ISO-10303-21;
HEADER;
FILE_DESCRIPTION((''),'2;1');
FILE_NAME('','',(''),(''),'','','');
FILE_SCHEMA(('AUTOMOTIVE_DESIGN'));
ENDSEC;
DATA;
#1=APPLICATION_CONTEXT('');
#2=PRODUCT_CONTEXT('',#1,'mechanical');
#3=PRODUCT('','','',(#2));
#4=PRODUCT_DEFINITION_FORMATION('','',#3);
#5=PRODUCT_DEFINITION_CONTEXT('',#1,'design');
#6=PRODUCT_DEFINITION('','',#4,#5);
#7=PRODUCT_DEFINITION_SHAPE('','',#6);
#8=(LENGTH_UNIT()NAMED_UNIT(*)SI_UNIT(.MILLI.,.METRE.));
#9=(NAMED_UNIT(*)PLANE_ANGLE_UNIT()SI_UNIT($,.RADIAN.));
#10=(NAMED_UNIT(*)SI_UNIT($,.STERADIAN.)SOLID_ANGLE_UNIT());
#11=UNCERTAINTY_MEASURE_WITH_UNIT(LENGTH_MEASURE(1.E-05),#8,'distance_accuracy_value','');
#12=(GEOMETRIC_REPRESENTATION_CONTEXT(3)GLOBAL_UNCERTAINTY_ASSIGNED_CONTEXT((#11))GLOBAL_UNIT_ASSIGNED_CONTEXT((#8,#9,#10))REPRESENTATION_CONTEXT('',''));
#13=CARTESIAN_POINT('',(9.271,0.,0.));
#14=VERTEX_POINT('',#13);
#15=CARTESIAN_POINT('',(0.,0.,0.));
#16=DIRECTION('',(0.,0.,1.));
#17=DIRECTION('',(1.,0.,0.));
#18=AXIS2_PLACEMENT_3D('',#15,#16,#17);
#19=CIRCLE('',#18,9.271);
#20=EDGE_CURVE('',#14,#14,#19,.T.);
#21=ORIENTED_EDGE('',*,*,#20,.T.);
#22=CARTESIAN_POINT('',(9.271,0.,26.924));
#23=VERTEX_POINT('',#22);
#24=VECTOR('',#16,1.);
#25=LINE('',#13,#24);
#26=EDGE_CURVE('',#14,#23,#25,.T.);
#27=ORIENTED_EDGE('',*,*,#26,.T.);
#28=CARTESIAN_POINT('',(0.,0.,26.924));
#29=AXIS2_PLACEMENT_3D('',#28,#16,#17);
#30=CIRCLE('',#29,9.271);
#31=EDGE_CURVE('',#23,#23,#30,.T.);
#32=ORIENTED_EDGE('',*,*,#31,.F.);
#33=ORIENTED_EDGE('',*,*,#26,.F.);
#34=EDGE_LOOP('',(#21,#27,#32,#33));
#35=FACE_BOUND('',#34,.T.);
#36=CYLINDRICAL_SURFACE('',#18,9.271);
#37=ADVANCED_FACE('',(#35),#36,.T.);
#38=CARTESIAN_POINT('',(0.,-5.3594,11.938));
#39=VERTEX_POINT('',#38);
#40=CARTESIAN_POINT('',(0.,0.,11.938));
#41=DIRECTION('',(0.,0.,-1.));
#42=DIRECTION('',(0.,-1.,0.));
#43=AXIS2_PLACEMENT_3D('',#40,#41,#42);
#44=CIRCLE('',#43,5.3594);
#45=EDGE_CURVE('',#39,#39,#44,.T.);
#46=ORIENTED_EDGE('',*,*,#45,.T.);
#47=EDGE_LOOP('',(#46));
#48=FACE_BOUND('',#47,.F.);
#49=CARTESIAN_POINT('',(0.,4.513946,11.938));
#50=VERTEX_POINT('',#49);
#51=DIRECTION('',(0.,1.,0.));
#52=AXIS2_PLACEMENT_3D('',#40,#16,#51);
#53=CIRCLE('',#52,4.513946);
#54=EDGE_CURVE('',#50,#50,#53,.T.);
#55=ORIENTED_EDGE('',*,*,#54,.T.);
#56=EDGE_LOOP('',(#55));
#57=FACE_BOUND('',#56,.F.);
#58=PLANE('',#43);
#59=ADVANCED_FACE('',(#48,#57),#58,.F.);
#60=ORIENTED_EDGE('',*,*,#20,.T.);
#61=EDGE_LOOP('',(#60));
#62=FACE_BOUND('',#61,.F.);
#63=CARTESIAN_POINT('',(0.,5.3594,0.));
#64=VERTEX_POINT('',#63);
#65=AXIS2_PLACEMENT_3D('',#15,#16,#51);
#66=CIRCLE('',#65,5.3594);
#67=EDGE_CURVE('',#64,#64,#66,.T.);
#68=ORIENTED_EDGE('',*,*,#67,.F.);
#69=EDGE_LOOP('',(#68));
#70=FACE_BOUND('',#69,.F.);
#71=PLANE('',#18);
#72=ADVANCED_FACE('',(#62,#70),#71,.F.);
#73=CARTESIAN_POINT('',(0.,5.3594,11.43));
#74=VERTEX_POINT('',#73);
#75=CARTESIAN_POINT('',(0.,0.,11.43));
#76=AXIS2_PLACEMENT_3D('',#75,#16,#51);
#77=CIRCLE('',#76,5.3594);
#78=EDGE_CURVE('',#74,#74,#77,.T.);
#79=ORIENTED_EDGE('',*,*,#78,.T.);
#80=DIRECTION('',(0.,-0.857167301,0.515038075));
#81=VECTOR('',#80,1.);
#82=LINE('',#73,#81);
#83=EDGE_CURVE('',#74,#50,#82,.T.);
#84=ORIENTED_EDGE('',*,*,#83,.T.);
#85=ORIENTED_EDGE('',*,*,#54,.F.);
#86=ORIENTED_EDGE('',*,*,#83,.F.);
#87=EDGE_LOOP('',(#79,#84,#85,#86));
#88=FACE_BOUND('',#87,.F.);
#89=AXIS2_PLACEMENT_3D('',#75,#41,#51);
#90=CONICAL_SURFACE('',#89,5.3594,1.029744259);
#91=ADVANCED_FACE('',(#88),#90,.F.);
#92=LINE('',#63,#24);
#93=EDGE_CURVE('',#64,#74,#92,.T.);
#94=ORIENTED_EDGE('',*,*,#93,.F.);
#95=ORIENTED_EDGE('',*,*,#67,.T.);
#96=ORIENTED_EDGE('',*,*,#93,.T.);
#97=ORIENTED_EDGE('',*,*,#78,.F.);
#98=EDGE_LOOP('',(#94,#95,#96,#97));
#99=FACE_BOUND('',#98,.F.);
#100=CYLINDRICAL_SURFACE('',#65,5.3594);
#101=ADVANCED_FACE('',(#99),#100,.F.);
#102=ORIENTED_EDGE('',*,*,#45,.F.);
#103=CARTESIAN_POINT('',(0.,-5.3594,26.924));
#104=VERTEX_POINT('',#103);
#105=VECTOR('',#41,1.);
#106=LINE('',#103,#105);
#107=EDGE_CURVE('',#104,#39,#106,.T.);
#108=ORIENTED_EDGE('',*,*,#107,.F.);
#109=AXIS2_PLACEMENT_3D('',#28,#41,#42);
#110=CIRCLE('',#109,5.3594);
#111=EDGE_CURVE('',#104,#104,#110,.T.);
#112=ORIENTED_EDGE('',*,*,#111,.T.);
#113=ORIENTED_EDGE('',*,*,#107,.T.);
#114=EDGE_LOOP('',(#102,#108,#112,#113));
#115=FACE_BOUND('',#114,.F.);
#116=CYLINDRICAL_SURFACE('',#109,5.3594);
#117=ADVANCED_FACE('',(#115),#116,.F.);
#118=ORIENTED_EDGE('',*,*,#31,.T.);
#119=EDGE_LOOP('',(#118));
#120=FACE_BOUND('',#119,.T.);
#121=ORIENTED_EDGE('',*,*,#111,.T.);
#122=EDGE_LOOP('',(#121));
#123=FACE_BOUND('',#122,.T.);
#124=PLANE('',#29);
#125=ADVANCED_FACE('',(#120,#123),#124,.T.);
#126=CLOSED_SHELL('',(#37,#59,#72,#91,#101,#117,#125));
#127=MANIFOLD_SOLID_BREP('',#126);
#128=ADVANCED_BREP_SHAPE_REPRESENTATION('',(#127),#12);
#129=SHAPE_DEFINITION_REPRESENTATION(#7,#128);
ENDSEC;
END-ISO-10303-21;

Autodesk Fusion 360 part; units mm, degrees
cylinder "CylinderPrimitive1" add diameter 18.542 height 26.924 placed x (1, 0, 0) y (0, 1, 0) z (0, 0, 1) at (0, 0, 0)
hole "Hole1" at (0, 0, 26.924) direction (0, 0, -1) diameter 10.7188 depth 14.986 tip angle 180
hole "Hole4" at (0, 0, 0) direction (0, 0, 1) diameter 10.7188 depth 11.43 tip angle 118
